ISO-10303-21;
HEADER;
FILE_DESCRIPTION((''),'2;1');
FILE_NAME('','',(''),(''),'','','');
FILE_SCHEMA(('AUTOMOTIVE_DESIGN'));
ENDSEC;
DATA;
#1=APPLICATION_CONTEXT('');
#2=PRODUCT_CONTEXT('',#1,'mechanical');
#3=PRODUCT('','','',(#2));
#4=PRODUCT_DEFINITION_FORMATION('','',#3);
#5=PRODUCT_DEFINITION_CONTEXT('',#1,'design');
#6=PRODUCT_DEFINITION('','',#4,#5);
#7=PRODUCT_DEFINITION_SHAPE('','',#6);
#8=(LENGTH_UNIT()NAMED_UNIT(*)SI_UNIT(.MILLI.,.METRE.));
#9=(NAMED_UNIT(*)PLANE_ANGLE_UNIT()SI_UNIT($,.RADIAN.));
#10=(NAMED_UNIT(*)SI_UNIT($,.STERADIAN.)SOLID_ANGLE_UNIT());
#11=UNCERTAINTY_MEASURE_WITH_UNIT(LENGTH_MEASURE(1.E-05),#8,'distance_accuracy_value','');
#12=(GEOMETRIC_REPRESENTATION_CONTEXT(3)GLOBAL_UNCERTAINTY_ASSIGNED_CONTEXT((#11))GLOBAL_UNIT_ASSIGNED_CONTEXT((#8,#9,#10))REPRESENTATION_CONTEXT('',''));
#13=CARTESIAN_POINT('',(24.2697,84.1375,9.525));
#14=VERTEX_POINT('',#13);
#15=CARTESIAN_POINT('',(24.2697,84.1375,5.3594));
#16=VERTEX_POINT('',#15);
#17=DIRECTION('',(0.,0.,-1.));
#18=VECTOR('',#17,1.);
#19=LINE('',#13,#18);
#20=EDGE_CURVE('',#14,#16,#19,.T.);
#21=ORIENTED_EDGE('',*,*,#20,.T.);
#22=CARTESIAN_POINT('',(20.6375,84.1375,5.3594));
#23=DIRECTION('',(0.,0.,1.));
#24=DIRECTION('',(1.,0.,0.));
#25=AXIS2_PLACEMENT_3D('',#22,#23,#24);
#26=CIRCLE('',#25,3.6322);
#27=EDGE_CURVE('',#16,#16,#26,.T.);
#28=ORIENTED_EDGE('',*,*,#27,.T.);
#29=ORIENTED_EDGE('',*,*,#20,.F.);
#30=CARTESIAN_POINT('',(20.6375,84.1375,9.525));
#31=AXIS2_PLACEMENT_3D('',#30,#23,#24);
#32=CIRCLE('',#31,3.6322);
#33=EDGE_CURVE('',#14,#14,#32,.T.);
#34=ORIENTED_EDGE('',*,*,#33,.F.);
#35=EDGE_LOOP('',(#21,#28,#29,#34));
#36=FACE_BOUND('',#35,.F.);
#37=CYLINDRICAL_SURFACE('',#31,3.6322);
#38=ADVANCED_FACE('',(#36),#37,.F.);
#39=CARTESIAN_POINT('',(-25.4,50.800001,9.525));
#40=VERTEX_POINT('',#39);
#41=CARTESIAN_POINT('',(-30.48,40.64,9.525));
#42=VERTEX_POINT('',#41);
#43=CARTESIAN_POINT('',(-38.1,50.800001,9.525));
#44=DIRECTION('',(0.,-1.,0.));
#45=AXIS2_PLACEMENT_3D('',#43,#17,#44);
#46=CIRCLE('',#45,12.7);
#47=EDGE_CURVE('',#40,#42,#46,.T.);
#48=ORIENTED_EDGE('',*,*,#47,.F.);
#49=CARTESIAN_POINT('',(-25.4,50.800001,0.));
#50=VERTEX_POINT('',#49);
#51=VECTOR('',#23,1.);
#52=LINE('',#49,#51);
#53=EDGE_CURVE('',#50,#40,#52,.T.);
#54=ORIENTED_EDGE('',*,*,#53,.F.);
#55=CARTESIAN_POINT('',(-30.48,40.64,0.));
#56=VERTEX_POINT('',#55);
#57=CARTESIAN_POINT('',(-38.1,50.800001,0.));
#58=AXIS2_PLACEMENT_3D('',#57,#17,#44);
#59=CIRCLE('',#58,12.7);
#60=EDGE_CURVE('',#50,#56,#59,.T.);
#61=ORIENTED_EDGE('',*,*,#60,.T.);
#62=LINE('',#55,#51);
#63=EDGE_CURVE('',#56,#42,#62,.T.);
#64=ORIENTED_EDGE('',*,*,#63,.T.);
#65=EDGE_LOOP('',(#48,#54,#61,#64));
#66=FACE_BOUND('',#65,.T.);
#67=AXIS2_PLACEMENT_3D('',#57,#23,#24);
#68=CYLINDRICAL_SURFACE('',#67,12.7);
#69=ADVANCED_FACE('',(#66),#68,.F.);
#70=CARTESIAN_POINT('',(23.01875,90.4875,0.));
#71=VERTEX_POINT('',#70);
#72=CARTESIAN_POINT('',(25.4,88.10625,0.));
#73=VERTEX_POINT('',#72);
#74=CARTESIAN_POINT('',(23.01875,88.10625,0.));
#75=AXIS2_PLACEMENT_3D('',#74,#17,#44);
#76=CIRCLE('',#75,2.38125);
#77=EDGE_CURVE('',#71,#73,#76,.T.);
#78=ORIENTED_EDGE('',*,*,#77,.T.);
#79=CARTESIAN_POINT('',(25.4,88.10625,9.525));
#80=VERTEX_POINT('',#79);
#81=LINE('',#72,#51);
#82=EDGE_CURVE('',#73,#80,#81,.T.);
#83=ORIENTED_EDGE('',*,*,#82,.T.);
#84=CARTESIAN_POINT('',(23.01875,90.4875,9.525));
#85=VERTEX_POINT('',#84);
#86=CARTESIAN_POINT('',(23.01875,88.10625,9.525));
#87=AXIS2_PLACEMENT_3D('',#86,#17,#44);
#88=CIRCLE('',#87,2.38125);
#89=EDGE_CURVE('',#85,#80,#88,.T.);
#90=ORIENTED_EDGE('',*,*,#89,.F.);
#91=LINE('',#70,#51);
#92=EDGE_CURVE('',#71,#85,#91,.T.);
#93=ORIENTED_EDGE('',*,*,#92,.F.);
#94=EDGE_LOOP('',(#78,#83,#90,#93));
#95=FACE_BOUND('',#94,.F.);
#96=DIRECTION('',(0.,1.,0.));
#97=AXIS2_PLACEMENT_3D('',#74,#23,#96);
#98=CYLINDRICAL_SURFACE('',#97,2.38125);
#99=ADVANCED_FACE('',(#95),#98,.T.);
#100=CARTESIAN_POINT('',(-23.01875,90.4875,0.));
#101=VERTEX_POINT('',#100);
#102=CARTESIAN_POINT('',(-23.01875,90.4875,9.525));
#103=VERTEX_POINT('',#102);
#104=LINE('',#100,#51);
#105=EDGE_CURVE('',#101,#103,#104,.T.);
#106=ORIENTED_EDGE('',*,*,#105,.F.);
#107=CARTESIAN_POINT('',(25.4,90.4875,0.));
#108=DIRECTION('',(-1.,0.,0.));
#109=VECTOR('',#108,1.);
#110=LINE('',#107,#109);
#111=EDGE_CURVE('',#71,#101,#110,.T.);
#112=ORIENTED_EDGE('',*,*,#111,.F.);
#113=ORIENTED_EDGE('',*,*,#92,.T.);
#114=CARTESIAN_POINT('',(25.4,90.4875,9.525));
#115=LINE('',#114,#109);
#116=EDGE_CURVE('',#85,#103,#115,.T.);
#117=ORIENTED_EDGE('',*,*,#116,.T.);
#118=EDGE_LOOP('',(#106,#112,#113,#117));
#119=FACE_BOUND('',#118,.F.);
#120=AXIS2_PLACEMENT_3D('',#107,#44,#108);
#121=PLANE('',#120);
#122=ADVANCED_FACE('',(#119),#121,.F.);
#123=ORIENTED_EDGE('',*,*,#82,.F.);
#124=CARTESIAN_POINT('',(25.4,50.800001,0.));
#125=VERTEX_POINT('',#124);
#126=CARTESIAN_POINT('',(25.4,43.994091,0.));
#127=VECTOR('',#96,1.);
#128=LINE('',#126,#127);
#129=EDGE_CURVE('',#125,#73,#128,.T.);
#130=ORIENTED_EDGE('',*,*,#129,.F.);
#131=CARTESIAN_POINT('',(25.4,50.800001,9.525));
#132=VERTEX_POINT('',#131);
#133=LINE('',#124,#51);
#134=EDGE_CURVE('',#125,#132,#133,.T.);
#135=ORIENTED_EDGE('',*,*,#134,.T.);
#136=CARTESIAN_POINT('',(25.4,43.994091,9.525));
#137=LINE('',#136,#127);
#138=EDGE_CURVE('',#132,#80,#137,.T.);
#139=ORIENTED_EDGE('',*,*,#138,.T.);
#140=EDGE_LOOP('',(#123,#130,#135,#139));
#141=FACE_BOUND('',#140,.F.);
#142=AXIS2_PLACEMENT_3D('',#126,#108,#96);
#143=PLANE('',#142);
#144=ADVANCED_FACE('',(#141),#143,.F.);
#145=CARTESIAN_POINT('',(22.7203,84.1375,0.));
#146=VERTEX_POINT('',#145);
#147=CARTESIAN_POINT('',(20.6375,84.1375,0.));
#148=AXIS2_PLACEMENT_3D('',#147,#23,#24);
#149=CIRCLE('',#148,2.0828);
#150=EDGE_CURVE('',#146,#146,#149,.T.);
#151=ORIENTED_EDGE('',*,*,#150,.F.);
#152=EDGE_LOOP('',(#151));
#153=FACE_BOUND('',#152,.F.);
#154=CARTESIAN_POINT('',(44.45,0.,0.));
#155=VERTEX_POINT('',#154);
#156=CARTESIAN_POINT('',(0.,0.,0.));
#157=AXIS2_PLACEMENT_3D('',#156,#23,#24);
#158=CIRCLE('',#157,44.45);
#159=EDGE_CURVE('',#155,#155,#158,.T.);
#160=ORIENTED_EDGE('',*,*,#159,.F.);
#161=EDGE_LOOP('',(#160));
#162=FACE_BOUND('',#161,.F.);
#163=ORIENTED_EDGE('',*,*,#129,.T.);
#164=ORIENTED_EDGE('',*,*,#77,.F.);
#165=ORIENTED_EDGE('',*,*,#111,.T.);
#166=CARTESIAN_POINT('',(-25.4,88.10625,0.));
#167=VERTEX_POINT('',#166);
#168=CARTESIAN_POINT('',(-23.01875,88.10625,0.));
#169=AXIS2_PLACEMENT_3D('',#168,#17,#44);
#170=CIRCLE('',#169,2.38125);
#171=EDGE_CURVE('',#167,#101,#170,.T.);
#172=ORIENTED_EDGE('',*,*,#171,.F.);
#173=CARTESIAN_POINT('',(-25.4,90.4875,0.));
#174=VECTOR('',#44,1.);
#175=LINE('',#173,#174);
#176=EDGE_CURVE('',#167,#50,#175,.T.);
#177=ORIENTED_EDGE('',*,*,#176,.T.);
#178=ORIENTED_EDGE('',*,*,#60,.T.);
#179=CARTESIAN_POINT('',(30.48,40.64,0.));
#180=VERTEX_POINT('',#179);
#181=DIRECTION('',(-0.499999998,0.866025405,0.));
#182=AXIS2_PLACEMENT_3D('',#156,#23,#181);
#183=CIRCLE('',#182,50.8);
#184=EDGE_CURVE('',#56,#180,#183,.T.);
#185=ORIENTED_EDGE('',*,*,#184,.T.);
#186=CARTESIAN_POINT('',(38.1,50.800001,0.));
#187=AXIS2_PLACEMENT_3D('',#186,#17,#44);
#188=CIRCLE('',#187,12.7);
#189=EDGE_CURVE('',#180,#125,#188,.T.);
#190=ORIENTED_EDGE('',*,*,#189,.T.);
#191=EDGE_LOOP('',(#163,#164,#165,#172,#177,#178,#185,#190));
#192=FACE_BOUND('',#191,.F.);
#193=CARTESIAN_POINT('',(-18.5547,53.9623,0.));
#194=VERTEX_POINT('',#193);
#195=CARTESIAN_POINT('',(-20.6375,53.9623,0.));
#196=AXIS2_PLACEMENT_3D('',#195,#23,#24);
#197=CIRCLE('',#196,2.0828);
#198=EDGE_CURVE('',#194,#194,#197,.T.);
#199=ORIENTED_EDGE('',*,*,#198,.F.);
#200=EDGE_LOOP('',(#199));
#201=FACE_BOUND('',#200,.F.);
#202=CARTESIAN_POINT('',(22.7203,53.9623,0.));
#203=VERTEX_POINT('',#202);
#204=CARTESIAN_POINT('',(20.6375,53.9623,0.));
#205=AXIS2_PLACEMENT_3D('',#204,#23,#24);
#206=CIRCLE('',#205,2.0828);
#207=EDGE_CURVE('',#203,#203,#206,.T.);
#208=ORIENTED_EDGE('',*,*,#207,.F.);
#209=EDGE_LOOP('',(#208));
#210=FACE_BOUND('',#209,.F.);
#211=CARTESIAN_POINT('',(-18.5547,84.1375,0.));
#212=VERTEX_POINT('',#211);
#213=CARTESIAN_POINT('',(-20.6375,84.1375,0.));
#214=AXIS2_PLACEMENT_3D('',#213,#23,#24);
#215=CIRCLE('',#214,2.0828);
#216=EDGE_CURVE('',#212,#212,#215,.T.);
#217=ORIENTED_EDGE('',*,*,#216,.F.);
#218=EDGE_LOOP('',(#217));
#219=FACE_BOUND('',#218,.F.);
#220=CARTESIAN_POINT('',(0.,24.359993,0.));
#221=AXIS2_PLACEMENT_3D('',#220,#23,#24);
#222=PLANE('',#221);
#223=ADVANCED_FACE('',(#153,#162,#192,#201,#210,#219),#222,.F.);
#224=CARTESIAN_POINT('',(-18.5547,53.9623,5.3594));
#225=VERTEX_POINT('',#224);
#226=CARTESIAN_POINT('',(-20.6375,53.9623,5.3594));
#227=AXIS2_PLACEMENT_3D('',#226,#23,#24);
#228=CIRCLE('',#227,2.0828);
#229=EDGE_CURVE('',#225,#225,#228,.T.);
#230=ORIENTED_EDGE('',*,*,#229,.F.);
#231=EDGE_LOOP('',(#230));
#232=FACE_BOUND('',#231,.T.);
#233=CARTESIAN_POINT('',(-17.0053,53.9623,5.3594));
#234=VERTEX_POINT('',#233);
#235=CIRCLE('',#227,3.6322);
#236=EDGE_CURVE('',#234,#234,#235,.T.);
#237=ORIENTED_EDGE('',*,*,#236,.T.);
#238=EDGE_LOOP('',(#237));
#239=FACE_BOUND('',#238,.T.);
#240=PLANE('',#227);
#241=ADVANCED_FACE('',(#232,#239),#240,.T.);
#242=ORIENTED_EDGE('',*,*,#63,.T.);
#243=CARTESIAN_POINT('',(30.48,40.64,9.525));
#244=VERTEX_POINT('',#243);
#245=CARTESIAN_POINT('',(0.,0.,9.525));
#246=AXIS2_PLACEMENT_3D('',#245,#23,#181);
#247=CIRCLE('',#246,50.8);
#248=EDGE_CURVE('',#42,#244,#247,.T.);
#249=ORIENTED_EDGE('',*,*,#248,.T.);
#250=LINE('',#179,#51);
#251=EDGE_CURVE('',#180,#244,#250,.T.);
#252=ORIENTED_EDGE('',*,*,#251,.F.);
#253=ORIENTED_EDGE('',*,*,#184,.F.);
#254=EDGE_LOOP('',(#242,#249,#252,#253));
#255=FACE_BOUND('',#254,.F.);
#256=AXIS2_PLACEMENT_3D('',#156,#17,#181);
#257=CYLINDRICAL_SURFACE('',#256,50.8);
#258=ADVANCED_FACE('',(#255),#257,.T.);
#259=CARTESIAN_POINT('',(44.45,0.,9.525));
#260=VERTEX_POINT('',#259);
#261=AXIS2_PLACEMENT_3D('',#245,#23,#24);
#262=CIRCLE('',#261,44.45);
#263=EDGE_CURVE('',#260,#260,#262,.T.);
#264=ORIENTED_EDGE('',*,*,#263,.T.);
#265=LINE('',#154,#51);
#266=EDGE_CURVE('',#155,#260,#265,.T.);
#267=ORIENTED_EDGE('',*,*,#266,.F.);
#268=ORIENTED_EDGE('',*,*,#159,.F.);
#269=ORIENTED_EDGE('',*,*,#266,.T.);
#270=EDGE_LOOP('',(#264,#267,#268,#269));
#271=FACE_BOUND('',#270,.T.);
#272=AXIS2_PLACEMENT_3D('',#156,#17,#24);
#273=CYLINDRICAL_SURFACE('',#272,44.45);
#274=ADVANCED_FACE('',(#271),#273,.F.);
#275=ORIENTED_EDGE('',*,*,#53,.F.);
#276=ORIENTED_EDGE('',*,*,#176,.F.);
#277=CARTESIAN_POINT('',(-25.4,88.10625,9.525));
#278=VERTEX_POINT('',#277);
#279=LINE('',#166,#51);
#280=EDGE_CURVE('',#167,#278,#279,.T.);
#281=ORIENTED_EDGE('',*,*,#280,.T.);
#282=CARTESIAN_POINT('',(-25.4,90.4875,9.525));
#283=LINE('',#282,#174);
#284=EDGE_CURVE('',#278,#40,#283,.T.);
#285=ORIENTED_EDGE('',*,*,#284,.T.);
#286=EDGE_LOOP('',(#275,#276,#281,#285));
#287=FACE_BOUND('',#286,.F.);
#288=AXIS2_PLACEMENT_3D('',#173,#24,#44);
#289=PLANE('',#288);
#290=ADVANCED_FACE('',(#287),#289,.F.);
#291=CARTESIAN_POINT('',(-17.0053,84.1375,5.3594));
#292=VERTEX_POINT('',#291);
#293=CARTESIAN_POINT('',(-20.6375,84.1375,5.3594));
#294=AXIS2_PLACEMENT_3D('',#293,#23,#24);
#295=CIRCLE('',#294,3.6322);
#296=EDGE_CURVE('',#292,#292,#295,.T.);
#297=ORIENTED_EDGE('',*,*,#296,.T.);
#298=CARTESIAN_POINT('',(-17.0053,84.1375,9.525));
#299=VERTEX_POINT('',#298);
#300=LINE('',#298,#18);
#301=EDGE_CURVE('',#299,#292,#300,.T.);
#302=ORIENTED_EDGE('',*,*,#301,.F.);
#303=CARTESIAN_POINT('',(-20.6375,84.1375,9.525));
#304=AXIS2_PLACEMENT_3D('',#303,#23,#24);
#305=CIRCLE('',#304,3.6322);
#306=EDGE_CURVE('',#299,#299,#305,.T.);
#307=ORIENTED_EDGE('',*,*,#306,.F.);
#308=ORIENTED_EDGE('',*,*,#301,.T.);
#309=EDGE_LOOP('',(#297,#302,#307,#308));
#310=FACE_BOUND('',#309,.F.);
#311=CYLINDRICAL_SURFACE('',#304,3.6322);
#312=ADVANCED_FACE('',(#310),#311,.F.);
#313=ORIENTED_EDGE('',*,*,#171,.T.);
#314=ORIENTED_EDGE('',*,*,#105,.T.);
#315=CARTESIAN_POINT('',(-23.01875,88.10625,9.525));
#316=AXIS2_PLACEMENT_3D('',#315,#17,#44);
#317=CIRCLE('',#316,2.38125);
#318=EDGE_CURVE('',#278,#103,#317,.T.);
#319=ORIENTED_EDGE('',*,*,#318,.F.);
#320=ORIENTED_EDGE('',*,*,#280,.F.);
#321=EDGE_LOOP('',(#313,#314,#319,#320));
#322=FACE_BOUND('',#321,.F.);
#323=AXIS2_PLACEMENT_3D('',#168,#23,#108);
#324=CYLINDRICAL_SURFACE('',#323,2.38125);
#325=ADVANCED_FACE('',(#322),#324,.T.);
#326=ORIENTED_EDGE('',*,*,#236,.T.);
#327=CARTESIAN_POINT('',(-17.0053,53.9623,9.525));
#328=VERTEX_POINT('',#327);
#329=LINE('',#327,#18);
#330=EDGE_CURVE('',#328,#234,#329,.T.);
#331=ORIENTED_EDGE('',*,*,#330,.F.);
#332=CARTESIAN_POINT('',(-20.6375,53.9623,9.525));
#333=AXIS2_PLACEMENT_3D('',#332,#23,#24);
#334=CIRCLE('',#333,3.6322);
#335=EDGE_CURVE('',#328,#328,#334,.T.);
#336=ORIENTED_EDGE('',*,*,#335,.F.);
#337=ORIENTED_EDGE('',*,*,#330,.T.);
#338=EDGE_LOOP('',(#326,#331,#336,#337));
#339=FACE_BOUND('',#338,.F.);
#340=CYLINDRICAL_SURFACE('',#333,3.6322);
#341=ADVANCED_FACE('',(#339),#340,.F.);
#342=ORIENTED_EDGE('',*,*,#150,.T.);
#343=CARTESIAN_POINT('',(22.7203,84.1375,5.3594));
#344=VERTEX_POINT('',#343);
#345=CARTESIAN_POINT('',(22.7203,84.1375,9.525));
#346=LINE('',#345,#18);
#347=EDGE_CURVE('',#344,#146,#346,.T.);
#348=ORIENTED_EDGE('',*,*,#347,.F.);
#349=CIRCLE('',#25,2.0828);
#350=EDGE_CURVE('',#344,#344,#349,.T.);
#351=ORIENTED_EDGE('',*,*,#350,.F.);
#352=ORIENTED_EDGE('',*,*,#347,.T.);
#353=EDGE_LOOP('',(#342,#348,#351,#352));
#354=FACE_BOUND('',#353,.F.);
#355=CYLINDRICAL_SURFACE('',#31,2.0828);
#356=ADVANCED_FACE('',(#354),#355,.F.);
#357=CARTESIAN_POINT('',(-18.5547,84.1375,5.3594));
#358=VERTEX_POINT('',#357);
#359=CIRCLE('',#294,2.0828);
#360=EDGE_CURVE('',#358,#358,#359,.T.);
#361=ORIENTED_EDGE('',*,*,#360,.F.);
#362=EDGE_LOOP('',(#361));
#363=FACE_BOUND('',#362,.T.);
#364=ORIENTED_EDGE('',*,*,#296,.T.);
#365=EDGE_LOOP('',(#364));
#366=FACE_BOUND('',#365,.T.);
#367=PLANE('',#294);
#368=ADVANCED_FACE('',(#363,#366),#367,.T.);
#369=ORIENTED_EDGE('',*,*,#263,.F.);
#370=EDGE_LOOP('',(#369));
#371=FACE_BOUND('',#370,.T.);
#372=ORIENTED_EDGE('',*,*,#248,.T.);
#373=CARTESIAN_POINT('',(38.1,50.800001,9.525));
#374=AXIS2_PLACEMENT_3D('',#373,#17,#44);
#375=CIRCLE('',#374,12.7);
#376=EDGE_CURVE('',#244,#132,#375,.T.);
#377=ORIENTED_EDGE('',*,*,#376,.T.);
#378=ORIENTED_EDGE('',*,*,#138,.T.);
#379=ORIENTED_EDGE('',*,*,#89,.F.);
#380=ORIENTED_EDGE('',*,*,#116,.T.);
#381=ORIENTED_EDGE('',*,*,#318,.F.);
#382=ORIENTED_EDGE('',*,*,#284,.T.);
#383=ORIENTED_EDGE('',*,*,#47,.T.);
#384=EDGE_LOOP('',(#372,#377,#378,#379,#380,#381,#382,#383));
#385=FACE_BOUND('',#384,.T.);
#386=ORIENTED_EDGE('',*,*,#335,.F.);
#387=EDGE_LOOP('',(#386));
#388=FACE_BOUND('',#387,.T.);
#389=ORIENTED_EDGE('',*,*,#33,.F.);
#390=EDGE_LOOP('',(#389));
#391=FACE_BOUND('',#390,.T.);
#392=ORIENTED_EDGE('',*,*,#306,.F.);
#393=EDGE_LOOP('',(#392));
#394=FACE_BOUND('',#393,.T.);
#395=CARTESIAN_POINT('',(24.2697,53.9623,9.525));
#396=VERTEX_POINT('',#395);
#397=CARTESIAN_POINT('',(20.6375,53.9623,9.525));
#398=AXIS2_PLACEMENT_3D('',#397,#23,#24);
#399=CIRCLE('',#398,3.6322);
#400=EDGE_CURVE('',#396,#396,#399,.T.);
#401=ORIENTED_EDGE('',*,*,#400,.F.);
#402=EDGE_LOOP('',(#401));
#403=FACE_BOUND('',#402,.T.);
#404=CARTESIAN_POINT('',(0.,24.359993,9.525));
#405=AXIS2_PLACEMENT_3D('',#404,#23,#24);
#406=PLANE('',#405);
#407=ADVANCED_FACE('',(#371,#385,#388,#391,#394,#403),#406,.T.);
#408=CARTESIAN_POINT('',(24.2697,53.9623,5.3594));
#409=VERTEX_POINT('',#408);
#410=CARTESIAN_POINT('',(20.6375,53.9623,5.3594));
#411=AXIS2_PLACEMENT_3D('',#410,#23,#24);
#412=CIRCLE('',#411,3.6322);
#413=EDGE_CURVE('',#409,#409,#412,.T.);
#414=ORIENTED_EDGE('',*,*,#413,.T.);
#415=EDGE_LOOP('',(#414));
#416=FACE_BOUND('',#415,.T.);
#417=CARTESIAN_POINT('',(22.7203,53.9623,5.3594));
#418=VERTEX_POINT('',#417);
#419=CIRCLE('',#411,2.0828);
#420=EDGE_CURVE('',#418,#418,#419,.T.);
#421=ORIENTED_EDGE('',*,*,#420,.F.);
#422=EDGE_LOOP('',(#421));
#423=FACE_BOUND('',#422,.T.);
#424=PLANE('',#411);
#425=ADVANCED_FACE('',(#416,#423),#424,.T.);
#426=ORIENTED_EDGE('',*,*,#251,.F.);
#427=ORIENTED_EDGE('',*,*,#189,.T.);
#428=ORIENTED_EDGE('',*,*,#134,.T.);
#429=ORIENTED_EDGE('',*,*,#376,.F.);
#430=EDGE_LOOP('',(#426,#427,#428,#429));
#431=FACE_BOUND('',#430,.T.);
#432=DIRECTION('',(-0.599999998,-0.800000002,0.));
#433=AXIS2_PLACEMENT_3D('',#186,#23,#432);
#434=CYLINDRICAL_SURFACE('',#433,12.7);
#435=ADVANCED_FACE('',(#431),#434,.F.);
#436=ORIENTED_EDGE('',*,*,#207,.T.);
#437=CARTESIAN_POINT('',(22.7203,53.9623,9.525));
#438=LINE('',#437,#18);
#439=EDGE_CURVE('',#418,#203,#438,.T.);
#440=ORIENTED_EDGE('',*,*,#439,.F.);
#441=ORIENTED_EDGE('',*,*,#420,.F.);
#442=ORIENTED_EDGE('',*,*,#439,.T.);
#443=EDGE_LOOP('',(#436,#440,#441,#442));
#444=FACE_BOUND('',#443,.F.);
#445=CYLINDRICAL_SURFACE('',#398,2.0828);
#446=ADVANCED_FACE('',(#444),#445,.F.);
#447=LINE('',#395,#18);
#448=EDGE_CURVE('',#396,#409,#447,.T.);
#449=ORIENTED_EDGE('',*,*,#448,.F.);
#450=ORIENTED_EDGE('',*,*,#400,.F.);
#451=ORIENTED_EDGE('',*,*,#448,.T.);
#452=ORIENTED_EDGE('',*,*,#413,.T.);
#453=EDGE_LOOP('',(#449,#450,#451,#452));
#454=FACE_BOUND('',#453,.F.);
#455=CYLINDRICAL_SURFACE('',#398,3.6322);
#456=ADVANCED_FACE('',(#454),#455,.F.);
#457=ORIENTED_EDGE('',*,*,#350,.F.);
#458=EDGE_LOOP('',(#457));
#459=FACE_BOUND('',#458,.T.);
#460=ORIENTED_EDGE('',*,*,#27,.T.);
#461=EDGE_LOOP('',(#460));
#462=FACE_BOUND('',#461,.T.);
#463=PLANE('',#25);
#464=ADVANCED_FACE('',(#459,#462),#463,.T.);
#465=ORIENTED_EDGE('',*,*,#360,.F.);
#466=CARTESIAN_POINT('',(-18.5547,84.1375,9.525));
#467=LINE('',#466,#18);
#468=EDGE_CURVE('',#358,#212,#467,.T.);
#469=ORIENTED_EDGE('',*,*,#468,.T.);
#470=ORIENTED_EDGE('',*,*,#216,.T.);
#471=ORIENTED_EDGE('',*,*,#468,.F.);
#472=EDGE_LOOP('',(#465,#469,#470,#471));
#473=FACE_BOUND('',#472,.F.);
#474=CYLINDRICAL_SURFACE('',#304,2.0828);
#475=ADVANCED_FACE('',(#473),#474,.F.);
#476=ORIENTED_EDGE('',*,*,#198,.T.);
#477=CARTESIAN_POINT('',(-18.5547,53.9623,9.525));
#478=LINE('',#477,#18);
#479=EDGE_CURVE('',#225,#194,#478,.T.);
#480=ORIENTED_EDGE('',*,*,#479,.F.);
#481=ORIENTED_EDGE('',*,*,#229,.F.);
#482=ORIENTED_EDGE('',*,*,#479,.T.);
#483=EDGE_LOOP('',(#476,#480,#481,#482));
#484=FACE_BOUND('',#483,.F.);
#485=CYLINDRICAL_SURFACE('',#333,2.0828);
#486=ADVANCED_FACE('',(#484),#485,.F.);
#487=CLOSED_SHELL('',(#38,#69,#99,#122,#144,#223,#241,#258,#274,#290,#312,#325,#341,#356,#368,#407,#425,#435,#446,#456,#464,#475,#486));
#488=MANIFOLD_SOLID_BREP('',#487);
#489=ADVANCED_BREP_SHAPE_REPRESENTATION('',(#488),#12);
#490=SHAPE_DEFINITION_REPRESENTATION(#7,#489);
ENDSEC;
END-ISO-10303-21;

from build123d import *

# Parameters (mm, degrees)
F0_R     = 44.45
F1_DEPTH = 9.525
F2_R     = 2.0828
F3_DEPTH = 25.4
F4_R     = 3.6322
F5_DEPTH = 4.1656
F6_R     = 2.38125
F7_R     = 12.7


with BuildPart() as f1:
    # F0 (on Top) → F1 (new body)
    with BuildSketch(Plane.XY):
        with BuildLine():
            Line((-25.4, 90.4875), (-25.4, 43.994091))
            ThreePointArc((-25.4, 43.994091), (0, -50.8), (25.4, 43.994091))
            Line((25.4, 43.994091), (25.4, 90.4875))
            Line((25.4, 90.4875), (-25.4, 90.4875))
        make_face()
        Circle(F0_R, mode=Mode.SUBTRACT)
    extrude(amount=F1_DEPTH)

    # F2 (on face) → F3 (cut)
    with BuildSketch(Plane.XY.offset(9.525)):
        with Locations((-20.6375, 84.1375)):
            Circle(F2_R)
        with Locations((20.6375, 84.1375)):
            Circle(F2_R)
        with Locations((20.6375, 53.9623)):
            Circle(F2_R)
        with Locations((-20.6375, 53.9623)):
            Circle(F2_R)
    extrude(amount=-F3_DEPTH, mode=Mode.SUBTRACT)

    # F4 (on face) → F5 (cut)
    with BuildSketch(Plane.XY.offset(9.525)):
        with Locations((-20.6375, 84.1375)):
            Circle(F4_R)
        with Locations((20.6375, 84.1375)):
            Circle(F4_R)
        with Locations((20.6375, 53.9623)):
            Circle(F4_R)
        with Locations((-20.6375, 53.9623)):
            Circle(F4_R)
    extrude(amount=-F5_DEPTH, mode=Mode.SUBTRACT)

    # F6
    f6_edges = [f1.edges().sort_by_distance(p)[0] for p in [
        (-25.4, 90.4875, 4.7625),
        (25.4, 90.4875, 4.7625),
    ]]
    fillet(f6_edges, radius=F6_R)

    # F7
    f7_edges = [f1.edges().sort_by_distance(p)[0] for p in [
        (-25.4, 43.994091, 4.7625),
        (25.4, 43.994091, 4.7625),
    ]]
    fillet(f7_edges, radius=F7_R)


solid = f1.part
